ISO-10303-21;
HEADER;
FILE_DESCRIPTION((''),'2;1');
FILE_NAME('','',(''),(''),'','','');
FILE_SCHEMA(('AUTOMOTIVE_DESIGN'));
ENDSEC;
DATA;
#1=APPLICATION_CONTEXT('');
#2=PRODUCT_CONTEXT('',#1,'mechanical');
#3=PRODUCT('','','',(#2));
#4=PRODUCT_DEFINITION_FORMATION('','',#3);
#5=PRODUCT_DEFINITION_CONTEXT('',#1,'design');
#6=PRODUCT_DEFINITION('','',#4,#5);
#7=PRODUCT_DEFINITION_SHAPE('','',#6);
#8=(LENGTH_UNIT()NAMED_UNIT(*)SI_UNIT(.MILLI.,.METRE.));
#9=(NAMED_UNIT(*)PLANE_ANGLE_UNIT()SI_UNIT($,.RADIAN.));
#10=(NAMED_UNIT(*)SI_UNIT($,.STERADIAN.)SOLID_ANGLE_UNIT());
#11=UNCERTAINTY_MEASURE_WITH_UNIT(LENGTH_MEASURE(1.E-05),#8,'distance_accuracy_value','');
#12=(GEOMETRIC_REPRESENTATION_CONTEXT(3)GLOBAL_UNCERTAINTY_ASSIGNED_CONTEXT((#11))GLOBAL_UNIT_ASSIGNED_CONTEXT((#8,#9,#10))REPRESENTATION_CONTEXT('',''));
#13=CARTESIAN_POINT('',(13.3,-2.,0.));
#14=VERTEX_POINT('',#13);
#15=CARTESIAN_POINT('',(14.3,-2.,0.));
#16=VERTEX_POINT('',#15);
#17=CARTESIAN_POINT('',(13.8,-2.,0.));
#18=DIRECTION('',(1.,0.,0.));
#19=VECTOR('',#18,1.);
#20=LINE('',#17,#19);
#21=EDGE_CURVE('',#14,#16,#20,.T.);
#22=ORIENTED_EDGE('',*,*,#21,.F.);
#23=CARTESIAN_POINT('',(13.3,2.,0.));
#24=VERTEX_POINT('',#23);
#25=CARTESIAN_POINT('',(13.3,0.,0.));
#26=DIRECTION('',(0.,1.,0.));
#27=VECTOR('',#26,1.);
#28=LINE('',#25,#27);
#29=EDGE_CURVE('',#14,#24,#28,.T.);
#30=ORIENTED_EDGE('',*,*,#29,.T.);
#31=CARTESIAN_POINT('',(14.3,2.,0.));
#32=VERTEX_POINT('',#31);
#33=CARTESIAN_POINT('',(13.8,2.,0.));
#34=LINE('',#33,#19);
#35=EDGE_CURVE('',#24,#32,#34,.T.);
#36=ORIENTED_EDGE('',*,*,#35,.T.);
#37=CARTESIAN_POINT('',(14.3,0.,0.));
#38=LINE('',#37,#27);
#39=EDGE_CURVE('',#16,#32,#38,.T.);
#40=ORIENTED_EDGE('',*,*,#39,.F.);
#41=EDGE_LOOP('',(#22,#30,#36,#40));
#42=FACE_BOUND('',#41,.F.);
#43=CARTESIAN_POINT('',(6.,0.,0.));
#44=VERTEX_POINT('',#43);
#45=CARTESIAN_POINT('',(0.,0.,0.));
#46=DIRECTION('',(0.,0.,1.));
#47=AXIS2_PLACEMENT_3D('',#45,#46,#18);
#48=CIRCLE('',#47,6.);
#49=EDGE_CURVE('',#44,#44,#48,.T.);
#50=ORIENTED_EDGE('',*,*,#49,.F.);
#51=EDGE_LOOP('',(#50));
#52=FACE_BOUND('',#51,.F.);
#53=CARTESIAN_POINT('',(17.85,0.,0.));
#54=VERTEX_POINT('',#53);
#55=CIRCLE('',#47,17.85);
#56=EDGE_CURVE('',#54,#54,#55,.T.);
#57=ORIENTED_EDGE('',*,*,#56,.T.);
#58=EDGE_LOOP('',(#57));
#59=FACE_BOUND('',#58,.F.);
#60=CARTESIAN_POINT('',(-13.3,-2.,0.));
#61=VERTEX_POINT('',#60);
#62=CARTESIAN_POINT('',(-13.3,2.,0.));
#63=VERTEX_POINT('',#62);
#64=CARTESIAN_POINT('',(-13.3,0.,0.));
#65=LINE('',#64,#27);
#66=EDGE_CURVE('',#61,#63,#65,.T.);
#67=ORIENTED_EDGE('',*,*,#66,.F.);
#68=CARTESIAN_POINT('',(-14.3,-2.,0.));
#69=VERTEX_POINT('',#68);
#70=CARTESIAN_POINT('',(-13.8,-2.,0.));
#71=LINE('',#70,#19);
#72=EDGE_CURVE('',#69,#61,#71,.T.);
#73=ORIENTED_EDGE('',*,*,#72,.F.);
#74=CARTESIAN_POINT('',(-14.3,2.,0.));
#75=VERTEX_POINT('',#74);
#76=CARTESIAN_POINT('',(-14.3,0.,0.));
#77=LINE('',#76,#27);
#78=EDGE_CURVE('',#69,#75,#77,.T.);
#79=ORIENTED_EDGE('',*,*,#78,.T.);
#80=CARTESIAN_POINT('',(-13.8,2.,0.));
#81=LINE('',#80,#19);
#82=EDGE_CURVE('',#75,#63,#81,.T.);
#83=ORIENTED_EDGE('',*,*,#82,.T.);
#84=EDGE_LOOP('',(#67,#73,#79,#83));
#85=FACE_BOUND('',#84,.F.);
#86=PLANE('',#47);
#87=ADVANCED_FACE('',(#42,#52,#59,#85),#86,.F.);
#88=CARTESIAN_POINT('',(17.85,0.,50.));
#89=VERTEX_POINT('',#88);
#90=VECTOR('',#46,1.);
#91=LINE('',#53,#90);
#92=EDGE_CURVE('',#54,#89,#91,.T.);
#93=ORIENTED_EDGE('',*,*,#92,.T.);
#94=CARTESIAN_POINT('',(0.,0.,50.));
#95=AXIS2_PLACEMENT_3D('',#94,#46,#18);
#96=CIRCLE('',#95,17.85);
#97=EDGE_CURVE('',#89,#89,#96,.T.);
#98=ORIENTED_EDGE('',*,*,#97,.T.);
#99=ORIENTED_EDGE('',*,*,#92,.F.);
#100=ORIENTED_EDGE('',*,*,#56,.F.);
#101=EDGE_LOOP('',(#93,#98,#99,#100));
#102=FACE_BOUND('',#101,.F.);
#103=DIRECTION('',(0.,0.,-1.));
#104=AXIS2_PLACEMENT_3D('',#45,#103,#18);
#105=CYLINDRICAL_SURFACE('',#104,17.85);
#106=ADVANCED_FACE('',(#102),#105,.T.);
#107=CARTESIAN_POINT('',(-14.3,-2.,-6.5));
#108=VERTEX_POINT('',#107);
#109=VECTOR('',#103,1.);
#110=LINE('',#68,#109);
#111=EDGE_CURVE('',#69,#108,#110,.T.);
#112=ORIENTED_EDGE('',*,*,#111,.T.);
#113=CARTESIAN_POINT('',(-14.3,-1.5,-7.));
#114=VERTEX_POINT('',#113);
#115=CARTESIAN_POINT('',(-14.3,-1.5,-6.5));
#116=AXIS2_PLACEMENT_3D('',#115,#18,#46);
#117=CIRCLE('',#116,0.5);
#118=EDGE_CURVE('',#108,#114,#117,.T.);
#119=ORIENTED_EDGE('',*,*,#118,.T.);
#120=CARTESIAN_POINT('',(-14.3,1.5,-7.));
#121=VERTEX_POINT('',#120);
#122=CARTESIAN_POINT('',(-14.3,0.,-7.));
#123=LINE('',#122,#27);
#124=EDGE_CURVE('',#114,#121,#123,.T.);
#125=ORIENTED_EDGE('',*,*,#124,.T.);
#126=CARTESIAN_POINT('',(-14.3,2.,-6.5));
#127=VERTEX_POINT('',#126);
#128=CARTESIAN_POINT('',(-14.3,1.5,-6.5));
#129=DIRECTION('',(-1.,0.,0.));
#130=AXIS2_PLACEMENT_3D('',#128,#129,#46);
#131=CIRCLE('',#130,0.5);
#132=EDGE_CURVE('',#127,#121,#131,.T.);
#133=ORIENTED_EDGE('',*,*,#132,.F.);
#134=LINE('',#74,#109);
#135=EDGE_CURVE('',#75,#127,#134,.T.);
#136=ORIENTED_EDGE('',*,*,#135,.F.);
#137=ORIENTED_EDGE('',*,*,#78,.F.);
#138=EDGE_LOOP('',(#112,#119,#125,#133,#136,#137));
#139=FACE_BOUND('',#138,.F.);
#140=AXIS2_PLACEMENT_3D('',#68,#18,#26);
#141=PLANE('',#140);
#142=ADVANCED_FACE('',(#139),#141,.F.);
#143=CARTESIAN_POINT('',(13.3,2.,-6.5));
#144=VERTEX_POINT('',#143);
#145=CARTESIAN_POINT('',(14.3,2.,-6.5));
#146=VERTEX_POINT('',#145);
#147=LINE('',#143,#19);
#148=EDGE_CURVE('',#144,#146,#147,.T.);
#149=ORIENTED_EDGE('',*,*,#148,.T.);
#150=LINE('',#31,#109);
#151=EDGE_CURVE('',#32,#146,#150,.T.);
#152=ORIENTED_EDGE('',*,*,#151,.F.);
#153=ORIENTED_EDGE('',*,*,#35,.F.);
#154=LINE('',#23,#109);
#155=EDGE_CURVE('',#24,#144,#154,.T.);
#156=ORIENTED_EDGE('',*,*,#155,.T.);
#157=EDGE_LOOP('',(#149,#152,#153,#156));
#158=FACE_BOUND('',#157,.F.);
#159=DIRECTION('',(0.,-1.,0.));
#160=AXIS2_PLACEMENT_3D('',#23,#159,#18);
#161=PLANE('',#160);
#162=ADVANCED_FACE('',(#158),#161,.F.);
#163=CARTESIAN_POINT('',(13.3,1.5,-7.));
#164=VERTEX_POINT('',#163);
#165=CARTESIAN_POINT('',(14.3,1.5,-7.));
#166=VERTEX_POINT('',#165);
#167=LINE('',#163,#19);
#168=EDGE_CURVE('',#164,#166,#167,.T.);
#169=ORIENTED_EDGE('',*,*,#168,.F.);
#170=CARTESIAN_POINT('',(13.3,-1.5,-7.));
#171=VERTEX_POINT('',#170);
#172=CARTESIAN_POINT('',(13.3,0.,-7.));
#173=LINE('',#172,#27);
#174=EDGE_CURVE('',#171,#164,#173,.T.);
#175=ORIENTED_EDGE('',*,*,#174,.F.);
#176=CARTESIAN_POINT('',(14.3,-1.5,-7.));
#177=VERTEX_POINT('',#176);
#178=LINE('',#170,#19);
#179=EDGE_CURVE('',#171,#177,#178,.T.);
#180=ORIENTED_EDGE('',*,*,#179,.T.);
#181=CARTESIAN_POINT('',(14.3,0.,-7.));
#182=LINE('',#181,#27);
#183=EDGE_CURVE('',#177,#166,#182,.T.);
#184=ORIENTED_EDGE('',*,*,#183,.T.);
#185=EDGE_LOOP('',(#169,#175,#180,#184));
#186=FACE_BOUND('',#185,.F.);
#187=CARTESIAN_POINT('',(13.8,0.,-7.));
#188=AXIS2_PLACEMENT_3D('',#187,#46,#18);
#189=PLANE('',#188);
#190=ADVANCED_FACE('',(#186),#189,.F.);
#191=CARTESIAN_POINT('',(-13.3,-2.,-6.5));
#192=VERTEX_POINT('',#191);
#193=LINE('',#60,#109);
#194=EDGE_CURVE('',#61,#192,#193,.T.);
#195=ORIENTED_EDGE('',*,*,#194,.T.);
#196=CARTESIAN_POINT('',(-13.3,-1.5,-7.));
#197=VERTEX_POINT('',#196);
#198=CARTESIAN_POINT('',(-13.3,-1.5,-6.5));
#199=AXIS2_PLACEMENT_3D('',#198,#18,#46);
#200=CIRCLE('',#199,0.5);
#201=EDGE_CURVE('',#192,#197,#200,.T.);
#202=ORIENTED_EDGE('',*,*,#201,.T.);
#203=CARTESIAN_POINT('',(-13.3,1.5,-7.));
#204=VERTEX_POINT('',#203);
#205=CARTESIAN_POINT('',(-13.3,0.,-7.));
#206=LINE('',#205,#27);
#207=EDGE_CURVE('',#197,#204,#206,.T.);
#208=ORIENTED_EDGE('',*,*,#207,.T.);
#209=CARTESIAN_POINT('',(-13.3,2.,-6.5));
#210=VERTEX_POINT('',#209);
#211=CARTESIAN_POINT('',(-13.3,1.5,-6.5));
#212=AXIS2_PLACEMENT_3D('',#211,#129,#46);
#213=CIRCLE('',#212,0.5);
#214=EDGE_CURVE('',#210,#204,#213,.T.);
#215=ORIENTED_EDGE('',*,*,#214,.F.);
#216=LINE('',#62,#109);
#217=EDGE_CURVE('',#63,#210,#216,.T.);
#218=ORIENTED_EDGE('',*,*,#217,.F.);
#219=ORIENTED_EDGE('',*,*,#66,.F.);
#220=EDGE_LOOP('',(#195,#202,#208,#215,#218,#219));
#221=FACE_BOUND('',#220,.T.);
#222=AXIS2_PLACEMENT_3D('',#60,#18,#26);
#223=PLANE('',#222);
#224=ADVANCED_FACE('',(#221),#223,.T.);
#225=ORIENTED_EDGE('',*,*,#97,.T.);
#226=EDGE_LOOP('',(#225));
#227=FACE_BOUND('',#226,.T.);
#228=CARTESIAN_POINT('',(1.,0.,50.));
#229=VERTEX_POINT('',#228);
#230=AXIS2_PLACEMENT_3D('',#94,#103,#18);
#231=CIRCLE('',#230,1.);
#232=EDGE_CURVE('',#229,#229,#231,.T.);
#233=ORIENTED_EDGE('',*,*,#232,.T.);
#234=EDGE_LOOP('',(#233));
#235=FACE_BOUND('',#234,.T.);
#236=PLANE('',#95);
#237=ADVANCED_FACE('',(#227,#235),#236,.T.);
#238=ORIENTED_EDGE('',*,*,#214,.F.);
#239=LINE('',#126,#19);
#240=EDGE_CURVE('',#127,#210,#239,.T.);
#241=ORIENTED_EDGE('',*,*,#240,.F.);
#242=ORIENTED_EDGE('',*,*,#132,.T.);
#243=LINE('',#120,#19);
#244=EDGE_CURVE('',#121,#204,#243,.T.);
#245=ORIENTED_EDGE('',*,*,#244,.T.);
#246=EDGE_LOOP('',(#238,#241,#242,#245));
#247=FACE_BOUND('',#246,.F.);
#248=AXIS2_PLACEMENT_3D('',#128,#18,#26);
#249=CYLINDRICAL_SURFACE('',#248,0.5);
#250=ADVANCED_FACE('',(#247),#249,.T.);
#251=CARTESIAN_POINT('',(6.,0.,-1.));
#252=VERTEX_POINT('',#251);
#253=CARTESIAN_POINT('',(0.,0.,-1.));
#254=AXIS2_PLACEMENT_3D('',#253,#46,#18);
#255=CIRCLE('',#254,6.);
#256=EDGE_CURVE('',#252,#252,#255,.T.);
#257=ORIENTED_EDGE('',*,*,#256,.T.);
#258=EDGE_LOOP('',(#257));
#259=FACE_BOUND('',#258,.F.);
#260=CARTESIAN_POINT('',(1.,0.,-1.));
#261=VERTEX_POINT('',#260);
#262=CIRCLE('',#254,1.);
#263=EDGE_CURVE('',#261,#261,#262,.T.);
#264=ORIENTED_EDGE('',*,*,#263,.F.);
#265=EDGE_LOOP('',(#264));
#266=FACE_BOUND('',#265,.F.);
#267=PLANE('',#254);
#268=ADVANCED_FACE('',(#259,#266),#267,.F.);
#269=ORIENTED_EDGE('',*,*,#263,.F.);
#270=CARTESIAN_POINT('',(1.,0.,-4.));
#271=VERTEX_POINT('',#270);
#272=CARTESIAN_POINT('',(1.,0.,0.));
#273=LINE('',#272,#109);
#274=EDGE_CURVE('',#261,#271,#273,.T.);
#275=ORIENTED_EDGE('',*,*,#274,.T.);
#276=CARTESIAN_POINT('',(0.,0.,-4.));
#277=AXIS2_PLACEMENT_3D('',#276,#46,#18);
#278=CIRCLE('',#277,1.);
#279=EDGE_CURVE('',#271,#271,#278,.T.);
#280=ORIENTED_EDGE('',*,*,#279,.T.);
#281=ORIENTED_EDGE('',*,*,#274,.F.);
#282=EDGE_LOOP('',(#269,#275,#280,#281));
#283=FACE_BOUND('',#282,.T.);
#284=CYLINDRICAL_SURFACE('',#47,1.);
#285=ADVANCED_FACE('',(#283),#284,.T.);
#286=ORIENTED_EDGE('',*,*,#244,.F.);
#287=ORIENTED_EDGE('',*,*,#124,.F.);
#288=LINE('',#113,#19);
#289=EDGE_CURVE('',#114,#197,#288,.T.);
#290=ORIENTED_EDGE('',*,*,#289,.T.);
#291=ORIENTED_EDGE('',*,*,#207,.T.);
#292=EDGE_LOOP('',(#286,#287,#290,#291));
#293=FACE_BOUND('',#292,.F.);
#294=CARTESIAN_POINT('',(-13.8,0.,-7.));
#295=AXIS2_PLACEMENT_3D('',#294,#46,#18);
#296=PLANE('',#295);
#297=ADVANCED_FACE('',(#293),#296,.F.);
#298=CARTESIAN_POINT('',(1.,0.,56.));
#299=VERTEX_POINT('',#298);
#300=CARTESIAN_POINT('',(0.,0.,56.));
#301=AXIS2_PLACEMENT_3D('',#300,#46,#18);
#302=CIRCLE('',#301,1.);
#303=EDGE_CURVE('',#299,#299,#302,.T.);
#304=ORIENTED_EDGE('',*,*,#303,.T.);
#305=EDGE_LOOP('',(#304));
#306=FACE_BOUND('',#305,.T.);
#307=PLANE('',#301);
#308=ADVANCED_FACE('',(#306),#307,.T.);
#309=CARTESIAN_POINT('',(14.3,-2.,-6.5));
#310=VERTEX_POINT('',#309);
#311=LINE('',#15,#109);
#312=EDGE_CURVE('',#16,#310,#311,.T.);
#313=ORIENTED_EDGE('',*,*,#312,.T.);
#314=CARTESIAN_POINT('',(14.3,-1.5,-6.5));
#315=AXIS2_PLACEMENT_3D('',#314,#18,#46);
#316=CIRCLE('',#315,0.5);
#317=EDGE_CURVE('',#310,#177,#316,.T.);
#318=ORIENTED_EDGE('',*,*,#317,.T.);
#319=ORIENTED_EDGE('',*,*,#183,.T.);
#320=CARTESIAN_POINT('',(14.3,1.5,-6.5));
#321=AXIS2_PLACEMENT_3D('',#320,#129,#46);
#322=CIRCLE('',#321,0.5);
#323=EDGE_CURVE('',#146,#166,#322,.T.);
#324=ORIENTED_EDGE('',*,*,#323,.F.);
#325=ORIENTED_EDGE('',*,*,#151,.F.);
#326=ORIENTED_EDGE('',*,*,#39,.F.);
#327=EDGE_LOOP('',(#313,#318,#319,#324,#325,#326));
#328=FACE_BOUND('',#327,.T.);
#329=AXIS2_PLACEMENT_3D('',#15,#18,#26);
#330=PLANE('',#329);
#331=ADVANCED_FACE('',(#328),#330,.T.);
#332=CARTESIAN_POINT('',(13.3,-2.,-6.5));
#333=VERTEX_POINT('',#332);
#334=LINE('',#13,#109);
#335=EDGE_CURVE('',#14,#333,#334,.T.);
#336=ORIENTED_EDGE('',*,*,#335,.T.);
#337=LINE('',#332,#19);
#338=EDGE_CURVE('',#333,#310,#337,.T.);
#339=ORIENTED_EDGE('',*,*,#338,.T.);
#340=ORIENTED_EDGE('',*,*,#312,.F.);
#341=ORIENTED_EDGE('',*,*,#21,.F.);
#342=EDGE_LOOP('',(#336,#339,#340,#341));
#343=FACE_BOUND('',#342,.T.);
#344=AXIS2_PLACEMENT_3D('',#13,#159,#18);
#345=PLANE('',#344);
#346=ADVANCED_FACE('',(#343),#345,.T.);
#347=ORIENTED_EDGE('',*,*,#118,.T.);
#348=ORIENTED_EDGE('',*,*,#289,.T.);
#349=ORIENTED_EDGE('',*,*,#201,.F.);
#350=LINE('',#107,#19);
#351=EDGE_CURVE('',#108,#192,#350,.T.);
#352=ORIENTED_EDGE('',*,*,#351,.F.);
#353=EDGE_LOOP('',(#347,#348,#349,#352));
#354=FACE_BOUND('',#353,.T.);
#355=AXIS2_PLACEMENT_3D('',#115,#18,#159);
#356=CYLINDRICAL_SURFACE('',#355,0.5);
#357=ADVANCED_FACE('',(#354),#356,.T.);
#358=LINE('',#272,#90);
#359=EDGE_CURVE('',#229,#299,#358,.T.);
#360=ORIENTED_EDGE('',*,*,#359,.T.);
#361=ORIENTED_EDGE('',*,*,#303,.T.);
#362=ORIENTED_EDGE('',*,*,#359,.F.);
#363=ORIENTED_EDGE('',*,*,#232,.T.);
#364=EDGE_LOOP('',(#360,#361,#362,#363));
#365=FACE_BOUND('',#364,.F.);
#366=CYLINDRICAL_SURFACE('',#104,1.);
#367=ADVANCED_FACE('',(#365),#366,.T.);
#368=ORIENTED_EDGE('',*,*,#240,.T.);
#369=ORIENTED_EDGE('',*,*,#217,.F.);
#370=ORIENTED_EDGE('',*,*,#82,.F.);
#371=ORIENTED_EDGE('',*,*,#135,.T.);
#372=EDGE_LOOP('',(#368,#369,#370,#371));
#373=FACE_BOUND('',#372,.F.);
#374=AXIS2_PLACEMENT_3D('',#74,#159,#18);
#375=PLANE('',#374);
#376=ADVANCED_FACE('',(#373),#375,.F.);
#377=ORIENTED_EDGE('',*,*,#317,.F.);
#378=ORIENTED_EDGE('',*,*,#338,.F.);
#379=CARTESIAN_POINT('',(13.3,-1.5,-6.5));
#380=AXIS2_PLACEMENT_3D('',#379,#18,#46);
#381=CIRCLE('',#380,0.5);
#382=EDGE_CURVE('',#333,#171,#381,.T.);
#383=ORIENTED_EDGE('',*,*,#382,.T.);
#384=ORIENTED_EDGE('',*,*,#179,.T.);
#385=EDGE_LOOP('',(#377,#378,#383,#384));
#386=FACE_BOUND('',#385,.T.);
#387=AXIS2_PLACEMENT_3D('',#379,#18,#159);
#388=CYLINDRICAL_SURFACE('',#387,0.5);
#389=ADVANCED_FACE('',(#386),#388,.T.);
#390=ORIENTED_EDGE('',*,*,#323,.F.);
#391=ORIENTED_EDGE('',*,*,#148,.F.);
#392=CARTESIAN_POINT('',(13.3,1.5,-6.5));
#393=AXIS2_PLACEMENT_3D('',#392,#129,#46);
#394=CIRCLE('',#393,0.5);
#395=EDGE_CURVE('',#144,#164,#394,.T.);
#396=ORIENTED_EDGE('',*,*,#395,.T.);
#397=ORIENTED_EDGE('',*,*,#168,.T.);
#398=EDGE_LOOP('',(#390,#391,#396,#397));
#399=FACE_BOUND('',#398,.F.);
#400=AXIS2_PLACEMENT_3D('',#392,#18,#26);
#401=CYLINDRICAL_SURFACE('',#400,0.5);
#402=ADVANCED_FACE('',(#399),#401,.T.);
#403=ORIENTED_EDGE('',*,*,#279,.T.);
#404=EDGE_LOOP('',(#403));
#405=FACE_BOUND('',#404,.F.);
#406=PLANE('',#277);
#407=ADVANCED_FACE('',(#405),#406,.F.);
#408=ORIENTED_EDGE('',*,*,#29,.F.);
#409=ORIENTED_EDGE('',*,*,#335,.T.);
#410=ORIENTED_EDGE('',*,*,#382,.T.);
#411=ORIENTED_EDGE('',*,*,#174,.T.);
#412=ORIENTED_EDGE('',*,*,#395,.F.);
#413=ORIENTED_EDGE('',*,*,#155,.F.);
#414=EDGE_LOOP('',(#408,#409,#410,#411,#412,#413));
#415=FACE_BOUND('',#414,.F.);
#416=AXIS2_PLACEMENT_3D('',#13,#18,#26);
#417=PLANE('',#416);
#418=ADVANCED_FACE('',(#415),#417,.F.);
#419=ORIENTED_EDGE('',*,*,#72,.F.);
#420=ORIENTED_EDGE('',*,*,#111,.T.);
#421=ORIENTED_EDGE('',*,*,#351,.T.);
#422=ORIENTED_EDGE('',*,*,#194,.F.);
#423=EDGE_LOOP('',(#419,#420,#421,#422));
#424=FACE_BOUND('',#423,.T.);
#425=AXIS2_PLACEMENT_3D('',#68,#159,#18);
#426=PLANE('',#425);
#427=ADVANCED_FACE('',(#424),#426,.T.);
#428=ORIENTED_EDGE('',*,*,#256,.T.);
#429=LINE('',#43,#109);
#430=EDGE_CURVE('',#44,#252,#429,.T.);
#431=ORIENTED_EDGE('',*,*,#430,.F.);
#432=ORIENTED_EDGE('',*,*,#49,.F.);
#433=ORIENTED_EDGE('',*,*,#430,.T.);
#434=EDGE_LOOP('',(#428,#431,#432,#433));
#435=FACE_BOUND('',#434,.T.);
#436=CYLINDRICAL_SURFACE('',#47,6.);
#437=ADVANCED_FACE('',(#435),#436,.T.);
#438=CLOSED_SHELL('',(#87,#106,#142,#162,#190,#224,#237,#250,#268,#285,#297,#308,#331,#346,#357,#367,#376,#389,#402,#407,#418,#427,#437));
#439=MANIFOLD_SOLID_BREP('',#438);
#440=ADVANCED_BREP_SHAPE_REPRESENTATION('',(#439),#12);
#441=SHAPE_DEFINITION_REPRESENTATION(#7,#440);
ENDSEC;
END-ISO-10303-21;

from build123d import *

# Parameters (mm, degrees)
F0_R          = 17.85
F1_DEPTH      = 50
F2_R          = 1
F3_DEPTH      = 4
F3_DEPTH_BACK = 56
F4_R          = 6
F5_DEPTH      = 1
F6_W          = 1
F6_H          = 4
F7_DEPTH      = 7
F8_R          = 0.5


with BuildPart() as f1:
    # F0 (on Top) → F1 (new body)
    with BuildSketch(Plane.XY):
        Circle(F0_R)
    extrude(amount=F1_DEPTH)

    # F2 (on Top) → F3 (join, two sides)
    with BuildSketch(Plane.XY) as f3_sk:
        Circle(F2_R)
    extrude(amount=-F3_DEPTH)
    extrude(f3_sk.sketch, amount=F3_DEPTH_BACK)

    # F4 (on Top) → F5 (join)
    with BuildSketch(Plane.XY):
        Circle(F4_R)
    extrude(amount=-F5_DEPTH)

    # F6 (on Top) → F7 (join)
    with BuildSketch(Plane.XY):
        with Locations((-13.8, 0)):
            Rectangle(F6_W, F6_H)
        with Locations((13.8, 0)):
            Rectangle(F6_W, F6_H)
    extrude(amount=-F7_DEPTH)

    # F8
    f8_edges = [f1.edges().sort_by_distance(p)[0] for p in [
        (13.8, -2, -7),
        (-13.8, -2, -7),
        (-13.8, 2, -7),
        (13.8, 2, -7),
    ]]
    fillet(f8_edges, radius=F8_R)


solid = f1.part
